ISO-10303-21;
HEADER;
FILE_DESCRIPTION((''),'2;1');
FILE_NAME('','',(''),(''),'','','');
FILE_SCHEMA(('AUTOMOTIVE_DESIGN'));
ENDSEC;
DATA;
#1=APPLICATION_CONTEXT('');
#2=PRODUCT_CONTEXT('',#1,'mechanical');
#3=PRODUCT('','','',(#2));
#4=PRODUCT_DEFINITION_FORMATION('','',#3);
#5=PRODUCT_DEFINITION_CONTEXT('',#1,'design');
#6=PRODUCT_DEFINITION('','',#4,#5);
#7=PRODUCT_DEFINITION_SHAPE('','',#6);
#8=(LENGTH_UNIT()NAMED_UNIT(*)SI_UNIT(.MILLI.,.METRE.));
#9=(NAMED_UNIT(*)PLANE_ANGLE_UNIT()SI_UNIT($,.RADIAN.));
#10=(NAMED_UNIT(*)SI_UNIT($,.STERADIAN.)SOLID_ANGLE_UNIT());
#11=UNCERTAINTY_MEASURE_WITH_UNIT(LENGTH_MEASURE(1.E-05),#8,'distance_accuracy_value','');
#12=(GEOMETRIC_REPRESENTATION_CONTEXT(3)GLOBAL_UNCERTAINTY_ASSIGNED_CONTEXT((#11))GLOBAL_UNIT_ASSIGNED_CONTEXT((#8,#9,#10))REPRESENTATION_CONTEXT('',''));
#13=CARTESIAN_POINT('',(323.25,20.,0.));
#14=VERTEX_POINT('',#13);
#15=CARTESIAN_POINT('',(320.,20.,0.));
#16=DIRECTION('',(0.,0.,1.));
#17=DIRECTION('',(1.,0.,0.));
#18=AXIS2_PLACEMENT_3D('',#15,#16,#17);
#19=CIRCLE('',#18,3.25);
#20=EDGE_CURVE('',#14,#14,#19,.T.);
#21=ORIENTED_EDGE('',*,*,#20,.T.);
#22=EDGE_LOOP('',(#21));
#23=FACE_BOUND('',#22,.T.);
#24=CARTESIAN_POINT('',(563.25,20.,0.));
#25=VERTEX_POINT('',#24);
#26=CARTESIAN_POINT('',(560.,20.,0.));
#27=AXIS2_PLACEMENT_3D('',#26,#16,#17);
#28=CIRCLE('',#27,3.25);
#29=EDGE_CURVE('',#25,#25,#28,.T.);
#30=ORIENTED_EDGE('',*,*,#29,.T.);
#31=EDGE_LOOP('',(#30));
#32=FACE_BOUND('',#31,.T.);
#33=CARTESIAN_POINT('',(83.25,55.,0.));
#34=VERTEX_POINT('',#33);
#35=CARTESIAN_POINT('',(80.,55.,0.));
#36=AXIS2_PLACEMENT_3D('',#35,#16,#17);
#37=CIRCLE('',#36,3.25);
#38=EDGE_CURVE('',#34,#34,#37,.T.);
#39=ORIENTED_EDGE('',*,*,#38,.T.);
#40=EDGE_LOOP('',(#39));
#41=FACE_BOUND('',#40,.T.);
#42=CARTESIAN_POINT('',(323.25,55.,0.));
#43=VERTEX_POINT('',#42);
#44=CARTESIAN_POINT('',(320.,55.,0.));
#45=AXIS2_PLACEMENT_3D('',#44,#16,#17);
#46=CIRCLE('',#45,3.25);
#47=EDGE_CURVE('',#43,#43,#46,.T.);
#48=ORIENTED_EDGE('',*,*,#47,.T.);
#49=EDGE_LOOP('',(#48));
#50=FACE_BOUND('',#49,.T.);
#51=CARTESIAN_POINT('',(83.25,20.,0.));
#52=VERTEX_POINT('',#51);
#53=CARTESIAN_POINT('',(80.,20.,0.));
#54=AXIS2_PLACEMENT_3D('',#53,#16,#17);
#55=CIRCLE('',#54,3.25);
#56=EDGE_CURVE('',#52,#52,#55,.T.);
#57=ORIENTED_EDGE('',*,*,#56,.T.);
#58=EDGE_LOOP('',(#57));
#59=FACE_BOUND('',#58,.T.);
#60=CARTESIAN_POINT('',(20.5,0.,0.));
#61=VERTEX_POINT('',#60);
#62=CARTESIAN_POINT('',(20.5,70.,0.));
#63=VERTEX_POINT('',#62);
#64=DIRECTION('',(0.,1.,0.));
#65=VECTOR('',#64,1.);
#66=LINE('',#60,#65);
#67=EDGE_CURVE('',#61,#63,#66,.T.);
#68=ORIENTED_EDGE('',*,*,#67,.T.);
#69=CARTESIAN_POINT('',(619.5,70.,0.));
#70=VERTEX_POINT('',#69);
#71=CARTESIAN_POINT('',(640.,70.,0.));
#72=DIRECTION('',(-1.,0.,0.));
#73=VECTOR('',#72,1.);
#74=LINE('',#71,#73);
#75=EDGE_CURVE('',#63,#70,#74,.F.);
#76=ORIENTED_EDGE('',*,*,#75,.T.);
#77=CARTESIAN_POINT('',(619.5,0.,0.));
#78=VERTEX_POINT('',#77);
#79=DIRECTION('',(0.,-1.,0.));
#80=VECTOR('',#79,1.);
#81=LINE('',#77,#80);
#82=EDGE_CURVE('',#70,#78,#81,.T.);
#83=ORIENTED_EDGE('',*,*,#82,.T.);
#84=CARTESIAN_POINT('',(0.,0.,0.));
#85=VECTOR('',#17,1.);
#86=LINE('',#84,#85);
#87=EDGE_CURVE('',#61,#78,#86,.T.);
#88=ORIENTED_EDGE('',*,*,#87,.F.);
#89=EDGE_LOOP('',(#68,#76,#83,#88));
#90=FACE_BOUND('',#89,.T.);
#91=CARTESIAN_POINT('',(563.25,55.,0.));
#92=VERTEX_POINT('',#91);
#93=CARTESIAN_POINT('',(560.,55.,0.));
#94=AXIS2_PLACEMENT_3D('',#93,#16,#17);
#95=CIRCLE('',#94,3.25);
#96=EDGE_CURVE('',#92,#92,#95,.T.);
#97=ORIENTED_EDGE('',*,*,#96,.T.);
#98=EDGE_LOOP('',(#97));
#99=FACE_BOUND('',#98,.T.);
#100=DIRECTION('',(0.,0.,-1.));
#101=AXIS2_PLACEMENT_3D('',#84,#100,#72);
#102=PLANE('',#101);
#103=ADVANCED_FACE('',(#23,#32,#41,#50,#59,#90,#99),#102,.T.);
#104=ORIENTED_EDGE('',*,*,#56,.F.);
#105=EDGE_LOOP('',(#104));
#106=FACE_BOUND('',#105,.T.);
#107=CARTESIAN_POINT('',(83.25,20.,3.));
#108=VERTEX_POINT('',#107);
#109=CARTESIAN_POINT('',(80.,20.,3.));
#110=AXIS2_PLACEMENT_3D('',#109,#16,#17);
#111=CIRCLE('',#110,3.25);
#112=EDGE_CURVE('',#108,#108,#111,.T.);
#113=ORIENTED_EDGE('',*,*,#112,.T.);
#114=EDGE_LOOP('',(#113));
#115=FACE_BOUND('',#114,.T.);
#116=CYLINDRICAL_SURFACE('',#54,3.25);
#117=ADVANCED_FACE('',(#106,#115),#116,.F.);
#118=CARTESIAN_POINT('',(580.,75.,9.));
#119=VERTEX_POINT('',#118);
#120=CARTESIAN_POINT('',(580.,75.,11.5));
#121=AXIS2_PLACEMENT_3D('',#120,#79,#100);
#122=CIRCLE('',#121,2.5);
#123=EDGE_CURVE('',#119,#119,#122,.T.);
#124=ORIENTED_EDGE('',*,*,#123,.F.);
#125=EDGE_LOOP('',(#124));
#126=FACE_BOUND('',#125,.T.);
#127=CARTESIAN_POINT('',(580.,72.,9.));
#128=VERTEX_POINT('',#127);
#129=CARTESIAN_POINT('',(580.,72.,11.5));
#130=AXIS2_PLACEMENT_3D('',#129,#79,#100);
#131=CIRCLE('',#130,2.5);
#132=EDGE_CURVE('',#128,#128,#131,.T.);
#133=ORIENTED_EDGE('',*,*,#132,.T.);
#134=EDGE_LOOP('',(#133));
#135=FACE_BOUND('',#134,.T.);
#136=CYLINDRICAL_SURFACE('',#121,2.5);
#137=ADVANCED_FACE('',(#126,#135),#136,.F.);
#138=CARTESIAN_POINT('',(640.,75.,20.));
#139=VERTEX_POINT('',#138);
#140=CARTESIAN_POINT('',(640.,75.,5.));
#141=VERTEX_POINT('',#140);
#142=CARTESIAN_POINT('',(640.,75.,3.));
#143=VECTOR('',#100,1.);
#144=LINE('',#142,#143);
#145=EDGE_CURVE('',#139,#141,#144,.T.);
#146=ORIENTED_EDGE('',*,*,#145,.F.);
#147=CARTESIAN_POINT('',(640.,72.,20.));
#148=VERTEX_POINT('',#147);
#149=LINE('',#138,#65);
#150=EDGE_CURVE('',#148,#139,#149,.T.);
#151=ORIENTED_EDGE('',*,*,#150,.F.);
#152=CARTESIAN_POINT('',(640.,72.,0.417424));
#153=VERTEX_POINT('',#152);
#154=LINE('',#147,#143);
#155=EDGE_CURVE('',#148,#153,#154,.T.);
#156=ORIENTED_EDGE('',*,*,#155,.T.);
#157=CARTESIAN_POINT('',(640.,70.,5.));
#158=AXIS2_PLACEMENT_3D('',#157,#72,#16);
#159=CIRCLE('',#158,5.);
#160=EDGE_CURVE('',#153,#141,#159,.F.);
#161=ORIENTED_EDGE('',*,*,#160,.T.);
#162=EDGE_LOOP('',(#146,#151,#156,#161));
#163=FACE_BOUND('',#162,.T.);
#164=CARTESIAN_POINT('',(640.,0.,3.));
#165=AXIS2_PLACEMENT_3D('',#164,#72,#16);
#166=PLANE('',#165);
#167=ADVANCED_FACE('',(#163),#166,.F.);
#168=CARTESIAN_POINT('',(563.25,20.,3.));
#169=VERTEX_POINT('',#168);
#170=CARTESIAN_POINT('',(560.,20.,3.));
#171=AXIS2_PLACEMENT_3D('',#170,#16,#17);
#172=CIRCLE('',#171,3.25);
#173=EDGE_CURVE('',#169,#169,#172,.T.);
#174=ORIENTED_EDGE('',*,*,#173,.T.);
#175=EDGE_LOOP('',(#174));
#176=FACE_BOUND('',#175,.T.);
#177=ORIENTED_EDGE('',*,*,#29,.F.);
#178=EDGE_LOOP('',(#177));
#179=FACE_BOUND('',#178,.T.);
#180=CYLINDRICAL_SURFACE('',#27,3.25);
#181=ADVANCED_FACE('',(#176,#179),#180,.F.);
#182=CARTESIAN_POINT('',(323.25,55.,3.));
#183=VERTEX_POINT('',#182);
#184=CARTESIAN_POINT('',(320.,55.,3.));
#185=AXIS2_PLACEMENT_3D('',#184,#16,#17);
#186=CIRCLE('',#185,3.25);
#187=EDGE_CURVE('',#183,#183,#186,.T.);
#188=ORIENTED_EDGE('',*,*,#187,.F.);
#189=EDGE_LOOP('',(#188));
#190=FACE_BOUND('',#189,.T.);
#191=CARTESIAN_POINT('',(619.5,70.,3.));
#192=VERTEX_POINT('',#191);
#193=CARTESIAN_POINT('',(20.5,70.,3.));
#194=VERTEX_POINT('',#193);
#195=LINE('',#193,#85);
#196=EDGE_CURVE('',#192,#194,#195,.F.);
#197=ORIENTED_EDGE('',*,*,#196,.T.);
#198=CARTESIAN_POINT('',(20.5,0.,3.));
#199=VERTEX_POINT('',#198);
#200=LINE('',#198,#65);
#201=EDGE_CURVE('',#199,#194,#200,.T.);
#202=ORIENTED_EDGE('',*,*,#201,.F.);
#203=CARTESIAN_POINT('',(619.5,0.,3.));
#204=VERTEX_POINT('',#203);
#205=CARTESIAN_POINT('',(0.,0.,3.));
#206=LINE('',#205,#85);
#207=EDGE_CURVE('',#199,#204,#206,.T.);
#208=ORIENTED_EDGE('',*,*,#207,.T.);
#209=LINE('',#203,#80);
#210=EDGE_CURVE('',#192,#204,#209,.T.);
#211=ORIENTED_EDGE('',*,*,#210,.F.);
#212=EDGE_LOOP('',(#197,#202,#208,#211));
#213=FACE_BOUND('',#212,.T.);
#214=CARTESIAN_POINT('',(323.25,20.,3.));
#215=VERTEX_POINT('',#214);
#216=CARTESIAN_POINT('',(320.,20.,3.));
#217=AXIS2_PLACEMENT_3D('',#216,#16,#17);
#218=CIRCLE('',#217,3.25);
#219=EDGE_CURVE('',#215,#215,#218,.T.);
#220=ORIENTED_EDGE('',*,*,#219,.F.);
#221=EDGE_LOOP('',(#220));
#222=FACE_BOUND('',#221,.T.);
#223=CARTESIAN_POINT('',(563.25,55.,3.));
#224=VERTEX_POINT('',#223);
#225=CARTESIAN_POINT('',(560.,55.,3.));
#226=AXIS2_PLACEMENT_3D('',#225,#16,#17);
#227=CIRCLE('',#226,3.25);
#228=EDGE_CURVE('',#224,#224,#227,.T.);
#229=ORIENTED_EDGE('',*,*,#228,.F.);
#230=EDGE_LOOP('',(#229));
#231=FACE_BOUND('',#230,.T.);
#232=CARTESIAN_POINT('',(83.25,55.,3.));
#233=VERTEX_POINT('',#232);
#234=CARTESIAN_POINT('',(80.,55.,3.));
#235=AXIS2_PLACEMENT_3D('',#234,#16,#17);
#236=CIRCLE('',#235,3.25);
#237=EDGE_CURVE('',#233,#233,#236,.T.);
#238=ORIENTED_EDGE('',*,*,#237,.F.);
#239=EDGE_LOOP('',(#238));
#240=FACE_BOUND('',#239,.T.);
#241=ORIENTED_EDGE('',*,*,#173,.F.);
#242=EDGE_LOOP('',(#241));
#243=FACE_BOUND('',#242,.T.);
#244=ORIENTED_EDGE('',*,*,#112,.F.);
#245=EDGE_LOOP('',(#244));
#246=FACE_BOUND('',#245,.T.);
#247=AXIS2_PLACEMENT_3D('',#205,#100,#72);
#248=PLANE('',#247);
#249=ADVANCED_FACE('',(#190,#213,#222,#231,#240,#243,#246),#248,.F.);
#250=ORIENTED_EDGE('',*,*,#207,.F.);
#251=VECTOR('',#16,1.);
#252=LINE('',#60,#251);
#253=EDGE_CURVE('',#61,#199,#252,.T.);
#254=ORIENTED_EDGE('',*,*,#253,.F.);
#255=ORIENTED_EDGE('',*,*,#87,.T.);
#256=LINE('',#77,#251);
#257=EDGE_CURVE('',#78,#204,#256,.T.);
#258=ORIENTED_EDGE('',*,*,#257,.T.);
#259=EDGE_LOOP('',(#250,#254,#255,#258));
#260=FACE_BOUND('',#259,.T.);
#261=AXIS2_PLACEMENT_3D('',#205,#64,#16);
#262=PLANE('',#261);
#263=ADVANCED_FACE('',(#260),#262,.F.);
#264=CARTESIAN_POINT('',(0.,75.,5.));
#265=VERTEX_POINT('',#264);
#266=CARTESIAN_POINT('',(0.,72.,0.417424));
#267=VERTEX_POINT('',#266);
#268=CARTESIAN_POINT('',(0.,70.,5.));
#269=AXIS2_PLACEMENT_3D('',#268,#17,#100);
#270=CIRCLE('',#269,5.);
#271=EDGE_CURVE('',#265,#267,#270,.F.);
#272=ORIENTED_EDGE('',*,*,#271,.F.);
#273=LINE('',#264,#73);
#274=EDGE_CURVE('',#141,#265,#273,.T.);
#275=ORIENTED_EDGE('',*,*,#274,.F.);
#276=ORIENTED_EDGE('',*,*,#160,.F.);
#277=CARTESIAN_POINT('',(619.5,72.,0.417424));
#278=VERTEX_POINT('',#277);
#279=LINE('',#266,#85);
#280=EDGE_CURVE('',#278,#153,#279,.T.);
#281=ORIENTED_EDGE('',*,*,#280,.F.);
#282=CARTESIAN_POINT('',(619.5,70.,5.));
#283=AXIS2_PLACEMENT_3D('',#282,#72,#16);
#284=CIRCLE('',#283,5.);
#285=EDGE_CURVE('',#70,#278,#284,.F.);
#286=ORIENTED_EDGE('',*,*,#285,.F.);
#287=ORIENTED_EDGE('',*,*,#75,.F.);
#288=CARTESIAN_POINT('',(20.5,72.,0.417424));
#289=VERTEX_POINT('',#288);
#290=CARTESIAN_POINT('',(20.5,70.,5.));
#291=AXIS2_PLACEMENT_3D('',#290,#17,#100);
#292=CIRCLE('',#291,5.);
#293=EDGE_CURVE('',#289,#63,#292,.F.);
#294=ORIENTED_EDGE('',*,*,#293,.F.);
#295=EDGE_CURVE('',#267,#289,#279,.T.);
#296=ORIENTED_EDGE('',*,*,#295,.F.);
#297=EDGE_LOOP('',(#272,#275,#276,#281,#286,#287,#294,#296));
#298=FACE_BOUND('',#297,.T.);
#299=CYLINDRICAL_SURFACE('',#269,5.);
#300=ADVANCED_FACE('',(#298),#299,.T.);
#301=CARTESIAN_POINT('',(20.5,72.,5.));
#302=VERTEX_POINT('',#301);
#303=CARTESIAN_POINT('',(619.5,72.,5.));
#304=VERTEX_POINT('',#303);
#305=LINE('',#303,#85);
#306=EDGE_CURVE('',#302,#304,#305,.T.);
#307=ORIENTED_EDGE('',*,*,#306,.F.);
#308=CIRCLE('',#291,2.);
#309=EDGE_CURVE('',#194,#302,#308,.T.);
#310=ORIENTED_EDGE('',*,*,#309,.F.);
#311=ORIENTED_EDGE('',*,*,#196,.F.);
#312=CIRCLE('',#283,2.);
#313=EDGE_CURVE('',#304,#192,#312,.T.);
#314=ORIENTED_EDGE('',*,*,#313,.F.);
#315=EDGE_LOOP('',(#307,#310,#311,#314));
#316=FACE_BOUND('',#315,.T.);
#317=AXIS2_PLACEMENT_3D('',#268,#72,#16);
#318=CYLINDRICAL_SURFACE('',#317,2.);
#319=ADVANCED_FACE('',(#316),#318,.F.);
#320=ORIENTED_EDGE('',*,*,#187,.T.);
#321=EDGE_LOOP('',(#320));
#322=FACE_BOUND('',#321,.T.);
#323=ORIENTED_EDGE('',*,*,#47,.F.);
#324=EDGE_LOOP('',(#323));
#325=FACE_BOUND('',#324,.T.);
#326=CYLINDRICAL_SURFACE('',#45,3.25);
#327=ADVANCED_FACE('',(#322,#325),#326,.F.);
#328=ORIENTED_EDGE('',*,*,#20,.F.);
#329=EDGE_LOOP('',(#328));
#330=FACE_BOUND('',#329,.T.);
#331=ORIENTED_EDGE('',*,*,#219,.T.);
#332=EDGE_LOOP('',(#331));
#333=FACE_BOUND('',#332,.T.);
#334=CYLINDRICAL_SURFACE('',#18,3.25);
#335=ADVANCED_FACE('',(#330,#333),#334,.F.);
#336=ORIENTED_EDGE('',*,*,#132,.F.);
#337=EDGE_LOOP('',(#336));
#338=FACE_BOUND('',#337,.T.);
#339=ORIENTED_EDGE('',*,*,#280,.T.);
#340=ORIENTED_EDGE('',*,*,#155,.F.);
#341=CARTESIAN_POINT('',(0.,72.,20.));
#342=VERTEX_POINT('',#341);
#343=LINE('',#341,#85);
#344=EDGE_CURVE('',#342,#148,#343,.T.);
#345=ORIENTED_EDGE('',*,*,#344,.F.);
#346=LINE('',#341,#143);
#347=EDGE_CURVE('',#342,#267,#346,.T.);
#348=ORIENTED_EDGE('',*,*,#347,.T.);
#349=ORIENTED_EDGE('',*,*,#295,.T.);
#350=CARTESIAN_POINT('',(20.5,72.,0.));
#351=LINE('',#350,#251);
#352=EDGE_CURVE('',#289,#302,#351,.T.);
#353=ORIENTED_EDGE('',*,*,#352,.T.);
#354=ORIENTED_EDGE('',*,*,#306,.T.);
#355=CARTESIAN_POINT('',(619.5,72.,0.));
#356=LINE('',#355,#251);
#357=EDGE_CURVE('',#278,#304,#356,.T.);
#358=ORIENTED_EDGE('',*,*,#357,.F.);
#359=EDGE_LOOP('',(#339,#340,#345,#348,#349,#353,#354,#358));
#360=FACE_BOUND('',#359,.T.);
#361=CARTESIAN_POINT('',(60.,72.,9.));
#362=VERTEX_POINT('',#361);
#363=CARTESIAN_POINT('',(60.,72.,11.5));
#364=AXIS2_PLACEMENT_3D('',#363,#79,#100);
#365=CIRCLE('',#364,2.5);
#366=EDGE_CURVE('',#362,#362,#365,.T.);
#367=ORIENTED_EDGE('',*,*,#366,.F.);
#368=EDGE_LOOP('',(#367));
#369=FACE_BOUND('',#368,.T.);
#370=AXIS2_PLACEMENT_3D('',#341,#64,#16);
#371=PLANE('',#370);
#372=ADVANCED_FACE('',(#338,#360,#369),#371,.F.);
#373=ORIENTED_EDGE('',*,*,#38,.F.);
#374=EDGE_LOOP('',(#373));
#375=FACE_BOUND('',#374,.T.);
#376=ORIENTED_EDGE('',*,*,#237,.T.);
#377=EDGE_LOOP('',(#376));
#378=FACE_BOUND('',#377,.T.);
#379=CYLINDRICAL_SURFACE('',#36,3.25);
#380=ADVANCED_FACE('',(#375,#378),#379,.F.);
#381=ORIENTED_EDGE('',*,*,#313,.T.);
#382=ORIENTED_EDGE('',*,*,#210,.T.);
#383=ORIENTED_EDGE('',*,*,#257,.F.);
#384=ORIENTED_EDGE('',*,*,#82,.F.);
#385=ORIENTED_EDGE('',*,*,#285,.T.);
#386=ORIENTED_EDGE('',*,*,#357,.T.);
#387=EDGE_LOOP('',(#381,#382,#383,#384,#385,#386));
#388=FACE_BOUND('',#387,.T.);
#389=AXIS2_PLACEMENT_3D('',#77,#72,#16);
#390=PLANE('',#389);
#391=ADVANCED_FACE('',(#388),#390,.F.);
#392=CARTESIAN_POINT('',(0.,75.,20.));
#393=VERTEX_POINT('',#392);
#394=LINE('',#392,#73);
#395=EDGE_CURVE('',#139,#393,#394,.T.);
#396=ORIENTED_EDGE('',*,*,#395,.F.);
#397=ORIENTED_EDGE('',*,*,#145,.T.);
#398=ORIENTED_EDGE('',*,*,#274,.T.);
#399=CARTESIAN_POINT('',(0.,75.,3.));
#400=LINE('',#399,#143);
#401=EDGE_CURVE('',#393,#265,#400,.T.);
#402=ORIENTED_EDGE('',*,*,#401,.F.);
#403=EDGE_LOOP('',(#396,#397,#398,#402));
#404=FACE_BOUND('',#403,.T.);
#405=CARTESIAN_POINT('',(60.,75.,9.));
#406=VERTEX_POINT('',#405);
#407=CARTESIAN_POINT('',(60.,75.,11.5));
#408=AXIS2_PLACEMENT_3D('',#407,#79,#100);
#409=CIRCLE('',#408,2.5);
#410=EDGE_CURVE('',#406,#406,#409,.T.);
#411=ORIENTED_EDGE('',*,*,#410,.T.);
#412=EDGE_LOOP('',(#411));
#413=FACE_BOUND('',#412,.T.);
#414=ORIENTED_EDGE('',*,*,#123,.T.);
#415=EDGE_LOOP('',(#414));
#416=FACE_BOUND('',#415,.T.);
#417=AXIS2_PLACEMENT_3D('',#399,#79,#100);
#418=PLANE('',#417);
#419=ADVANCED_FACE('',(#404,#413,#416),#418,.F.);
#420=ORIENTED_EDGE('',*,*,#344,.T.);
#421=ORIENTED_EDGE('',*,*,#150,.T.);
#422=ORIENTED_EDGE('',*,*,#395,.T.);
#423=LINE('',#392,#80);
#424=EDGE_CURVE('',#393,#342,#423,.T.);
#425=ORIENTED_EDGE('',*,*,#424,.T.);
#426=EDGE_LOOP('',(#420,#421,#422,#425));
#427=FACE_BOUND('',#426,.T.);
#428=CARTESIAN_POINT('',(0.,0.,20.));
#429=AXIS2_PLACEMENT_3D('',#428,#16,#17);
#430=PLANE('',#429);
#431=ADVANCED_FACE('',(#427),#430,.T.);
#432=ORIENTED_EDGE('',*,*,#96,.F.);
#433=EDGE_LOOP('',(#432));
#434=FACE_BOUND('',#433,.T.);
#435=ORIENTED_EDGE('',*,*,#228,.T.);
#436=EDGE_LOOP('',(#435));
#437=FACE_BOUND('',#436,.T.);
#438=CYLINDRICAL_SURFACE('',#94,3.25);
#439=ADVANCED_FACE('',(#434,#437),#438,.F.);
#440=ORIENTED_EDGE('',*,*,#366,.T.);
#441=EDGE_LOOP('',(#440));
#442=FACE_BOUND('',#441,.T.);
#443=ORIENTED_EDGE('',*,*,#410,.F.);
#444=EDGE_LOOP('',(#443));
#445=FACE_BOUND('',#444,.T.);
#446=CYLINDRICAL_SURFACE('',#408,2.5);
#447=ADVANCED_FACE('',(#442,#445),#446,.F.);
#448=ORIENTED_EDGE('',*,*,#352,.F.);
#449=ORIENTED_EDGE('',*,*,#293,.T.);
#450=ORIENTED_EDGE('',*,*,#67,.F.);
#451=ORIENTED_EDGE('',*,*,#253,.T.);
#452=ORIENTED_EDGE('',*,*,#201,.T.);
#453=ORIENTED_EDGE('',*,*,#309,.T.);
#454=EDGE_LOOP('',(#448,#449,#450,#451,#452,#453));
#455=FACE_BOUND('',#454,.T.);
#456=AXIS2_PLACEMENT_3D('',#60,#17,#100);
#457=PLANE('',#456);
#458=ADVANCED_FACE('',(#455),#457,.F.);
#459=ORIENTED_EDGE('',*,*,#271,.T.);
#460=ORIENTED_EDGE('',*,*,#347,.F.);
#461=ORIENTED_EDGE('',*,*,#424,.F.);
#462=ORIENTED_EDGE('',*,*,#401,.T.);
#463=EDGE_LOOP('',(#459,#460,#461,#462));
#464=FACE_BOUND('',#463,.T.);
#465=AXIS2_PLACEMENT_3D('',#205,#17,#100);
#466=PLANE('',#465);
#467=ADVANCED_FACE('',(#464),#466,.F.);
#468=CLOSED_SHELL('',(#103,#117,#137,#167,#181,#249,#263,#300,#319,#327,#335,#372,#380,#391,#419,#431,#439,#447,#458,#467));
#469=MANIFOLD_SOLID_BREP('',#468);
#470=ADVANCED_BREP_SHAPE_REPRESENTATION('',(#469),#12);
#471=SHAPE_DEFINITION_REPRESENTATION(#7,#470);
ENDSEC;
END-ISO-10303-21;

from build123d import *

# Parameters (mm, degrees)
SKETCH_1_W          = 640
SKETCH_1_H          = 75
EXTRUDE_1_DEPTH     = 3
SKETCH_2_W          = 640
SKETCH_2_H          = 3
EXTRUDE_2_DEPTH     = 17
FILLET_1_R          = 5
SKETCH_5_R          = 2.5
CUT_EXTRUDE_3_DEPTH = 645.347732207
SKETCH_3_R          = 3.25
CUT_EXTRUDE_1_DEPTH = 645.603754255
SKETCH_4_W          = 20.5
SKETCH_4_H          = 72
CUT_EXTRUDE_2_DEPTH = 645.603754255
FILLET_3_R          = 2


with BuildPart() as part:
    # 스케치1 → 보스-돌출1 (new body)
    with BuildSketch(Plane.XY):
        with Locations((320, 37.5)):
            Rectangle(SKETCH_1_W, SKETCH_1_H)
    extrude(amount=EXTRUDE_1_DEPTH)

    # 스케치2 → 보스-돌출2 (add)
    with BuildSketch(Plane.XY.offset(3)):
        with Locations((320, 73.5)):
            Rectangle(SKETCH_2_W, SKETCH_2_H)
    extrude(amount=EXTRUDE_2_DEPTH)

    # 필렛1
    fillet_1_edges = [part.edges().sort_by_distance(p)[0] for p in [
        (320, 75, 0),
    ]]
    fillet(fillet_1_edges, radius=FILLET_1_R)

    # 스케치5 → 컷-돌출3 (cut, through all)
    with BuildSketch(Plane.XZ.offset(-72)):
        with Locations(Location((60, 11.5, 0), (0, 0, 270))):
            Circle(SKETCH_5_R)
        with Locations(Location((580, 11.5, 0), (0, 0, 270))):
            Circle(SKETCH_5_R)
    extrude(amount=-CUT_EXTRUDE_3_DEPTH, mode=Mode.SUBTRACT)

    # 스케치3 → 컷-돌출1 (cut, through all)
    with BuildSketch(Plane.XY.offset(3)):
        with Locations((80, 55)):
            Circle(SKETCH_3_R)
        with Locations((80, 20)):
            Circle(SKETCH_3_R)
        with Locations((320, 55)):
            Circle(SKETCH_3_R)
        with Locations((320, 20)):
            Circle(SKETCH_3_R)
        with Locations((560, 55)):
            Circle(SKETCH_3_R)
        with Locations((560, 20)):
            Circle(SKETCH_3_R)
    extrude(amount=-CUT_EXTRUDE_1_DEPTH, mode=Mode.SUBTRACT)

    # 스케치4 → 컷-돌출2 (cut, through all)
    with BuildSketch(Plane.XY.offset(3)):
        with Locations((10.25, 36)):
            Rectangle(SKETCH_4_W, SKETCH_4_H)
        with Locations((629.75, 36)):
            Rectangle(SKETCH_4_W, SKETCH_4_H)
    extrude(amount=-CUT_EXTRUDE_2_DEPTH, mode=Mode.SUBTRACT)

    # 필렛3
    fillet_3_edges = [part.edges().sort_by_distance(p)[0] for p in [
        (320, 72, 3),
    ]]
    fillet(fillet_3_edges, radius=FILLET_3_R)


solid = part.part
